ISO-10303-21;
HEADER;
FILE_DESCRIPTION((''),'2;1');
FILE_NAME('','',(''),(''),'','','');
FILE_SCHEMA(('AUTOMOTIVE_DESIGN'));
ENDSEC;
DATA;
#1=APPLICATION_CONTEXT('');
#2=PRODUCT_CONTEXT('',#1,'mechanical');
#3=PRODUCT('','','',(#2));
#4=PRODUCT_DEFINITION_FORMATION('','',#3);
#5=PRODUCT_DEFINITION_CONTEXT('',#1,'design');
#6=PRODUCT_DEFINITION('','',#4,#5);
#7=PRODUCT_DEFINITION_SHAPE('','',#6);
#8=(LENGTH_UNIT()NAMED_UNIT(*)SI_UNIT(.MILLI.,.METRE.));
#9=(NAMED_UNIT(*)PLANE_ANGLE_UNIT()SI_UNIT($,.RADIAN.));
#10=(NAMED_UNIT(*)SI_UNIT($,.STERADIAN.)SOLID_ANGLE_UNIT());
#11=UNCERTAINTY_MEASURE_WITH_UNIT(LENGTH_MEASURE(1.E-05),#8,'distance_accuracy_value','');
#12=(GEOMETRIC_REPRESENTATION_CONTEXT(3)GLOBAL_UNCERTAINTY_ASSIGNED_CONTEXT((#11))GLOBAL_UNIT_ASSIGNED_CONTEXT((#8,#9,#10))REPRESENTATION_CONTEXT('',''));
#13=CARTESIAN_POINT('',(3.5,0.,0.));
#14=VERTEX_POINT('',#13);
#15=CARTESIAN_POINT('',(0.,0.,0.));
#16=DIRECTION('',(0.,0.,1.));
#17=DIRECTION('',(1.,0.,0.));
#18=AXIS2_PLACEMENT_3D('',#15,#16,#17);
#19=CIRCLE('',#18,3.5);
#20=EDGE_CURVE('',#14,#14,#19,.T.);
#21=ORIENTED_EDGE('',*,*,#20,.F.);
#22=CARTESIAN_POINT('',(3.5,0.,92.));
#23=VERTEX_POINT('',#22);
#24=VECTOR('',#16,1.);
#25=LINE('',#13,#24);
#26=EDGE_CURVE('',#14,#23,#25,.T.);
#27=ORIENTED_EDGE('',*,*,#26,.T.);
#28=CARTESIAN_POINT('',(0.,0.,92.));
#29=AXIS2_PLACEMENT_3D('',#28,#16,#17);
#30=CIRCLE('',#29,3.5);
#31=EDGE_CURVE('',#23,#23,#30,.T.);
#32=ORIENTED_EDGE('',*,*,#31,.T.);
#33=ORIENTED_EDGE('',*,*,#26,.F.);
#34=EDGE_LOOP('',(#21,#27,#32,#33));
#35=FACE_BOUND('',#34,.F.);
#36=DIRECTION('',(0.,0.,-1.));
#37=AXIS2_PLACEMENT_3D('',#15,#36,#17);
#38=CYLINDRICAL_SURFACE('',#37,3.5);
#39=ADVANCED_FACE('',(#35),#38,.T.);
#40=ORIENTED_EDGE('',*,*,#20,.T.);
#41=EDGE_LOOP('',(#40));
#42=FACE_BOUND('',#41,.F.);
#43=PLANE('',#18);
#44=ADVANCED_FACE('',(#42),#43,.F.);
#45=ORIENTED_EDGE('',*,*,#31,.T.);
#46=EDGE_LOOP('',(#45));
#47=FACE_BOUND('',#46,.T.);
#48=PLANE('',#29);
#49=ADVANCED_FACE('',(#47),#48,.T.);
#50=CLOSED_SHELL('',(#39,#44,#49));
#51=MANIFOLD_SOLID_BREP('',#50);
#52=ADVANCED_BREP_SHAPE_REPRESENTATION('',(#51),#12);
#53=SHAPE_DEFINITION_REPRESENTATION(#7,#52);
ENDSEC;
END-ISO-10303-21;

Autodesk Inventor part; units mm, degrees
ref_plane "YZ Plane" through (0, 0, 0) normal (1, 0, 0) x (0, 1, 0)
ref_plane "XZ Plane" through (0, 0, 0) normal (0, 1, 0) x (-1, 0, 0)
ref_plane "XY Plane" through (0, 0, 0) normal (0, 0, 1) x (1, 0, 0)
sketch "Sketch1" plane through (0, 0, 0) normal (0, 0, 1) x (1, 0, 0)
  circle A0 centre (0, 0) radius 3.5
  dimension "d0" = 7
extrude "Extrusion1" add sketch "Sketch1" along normal blind 92
properties part number "Eje"
